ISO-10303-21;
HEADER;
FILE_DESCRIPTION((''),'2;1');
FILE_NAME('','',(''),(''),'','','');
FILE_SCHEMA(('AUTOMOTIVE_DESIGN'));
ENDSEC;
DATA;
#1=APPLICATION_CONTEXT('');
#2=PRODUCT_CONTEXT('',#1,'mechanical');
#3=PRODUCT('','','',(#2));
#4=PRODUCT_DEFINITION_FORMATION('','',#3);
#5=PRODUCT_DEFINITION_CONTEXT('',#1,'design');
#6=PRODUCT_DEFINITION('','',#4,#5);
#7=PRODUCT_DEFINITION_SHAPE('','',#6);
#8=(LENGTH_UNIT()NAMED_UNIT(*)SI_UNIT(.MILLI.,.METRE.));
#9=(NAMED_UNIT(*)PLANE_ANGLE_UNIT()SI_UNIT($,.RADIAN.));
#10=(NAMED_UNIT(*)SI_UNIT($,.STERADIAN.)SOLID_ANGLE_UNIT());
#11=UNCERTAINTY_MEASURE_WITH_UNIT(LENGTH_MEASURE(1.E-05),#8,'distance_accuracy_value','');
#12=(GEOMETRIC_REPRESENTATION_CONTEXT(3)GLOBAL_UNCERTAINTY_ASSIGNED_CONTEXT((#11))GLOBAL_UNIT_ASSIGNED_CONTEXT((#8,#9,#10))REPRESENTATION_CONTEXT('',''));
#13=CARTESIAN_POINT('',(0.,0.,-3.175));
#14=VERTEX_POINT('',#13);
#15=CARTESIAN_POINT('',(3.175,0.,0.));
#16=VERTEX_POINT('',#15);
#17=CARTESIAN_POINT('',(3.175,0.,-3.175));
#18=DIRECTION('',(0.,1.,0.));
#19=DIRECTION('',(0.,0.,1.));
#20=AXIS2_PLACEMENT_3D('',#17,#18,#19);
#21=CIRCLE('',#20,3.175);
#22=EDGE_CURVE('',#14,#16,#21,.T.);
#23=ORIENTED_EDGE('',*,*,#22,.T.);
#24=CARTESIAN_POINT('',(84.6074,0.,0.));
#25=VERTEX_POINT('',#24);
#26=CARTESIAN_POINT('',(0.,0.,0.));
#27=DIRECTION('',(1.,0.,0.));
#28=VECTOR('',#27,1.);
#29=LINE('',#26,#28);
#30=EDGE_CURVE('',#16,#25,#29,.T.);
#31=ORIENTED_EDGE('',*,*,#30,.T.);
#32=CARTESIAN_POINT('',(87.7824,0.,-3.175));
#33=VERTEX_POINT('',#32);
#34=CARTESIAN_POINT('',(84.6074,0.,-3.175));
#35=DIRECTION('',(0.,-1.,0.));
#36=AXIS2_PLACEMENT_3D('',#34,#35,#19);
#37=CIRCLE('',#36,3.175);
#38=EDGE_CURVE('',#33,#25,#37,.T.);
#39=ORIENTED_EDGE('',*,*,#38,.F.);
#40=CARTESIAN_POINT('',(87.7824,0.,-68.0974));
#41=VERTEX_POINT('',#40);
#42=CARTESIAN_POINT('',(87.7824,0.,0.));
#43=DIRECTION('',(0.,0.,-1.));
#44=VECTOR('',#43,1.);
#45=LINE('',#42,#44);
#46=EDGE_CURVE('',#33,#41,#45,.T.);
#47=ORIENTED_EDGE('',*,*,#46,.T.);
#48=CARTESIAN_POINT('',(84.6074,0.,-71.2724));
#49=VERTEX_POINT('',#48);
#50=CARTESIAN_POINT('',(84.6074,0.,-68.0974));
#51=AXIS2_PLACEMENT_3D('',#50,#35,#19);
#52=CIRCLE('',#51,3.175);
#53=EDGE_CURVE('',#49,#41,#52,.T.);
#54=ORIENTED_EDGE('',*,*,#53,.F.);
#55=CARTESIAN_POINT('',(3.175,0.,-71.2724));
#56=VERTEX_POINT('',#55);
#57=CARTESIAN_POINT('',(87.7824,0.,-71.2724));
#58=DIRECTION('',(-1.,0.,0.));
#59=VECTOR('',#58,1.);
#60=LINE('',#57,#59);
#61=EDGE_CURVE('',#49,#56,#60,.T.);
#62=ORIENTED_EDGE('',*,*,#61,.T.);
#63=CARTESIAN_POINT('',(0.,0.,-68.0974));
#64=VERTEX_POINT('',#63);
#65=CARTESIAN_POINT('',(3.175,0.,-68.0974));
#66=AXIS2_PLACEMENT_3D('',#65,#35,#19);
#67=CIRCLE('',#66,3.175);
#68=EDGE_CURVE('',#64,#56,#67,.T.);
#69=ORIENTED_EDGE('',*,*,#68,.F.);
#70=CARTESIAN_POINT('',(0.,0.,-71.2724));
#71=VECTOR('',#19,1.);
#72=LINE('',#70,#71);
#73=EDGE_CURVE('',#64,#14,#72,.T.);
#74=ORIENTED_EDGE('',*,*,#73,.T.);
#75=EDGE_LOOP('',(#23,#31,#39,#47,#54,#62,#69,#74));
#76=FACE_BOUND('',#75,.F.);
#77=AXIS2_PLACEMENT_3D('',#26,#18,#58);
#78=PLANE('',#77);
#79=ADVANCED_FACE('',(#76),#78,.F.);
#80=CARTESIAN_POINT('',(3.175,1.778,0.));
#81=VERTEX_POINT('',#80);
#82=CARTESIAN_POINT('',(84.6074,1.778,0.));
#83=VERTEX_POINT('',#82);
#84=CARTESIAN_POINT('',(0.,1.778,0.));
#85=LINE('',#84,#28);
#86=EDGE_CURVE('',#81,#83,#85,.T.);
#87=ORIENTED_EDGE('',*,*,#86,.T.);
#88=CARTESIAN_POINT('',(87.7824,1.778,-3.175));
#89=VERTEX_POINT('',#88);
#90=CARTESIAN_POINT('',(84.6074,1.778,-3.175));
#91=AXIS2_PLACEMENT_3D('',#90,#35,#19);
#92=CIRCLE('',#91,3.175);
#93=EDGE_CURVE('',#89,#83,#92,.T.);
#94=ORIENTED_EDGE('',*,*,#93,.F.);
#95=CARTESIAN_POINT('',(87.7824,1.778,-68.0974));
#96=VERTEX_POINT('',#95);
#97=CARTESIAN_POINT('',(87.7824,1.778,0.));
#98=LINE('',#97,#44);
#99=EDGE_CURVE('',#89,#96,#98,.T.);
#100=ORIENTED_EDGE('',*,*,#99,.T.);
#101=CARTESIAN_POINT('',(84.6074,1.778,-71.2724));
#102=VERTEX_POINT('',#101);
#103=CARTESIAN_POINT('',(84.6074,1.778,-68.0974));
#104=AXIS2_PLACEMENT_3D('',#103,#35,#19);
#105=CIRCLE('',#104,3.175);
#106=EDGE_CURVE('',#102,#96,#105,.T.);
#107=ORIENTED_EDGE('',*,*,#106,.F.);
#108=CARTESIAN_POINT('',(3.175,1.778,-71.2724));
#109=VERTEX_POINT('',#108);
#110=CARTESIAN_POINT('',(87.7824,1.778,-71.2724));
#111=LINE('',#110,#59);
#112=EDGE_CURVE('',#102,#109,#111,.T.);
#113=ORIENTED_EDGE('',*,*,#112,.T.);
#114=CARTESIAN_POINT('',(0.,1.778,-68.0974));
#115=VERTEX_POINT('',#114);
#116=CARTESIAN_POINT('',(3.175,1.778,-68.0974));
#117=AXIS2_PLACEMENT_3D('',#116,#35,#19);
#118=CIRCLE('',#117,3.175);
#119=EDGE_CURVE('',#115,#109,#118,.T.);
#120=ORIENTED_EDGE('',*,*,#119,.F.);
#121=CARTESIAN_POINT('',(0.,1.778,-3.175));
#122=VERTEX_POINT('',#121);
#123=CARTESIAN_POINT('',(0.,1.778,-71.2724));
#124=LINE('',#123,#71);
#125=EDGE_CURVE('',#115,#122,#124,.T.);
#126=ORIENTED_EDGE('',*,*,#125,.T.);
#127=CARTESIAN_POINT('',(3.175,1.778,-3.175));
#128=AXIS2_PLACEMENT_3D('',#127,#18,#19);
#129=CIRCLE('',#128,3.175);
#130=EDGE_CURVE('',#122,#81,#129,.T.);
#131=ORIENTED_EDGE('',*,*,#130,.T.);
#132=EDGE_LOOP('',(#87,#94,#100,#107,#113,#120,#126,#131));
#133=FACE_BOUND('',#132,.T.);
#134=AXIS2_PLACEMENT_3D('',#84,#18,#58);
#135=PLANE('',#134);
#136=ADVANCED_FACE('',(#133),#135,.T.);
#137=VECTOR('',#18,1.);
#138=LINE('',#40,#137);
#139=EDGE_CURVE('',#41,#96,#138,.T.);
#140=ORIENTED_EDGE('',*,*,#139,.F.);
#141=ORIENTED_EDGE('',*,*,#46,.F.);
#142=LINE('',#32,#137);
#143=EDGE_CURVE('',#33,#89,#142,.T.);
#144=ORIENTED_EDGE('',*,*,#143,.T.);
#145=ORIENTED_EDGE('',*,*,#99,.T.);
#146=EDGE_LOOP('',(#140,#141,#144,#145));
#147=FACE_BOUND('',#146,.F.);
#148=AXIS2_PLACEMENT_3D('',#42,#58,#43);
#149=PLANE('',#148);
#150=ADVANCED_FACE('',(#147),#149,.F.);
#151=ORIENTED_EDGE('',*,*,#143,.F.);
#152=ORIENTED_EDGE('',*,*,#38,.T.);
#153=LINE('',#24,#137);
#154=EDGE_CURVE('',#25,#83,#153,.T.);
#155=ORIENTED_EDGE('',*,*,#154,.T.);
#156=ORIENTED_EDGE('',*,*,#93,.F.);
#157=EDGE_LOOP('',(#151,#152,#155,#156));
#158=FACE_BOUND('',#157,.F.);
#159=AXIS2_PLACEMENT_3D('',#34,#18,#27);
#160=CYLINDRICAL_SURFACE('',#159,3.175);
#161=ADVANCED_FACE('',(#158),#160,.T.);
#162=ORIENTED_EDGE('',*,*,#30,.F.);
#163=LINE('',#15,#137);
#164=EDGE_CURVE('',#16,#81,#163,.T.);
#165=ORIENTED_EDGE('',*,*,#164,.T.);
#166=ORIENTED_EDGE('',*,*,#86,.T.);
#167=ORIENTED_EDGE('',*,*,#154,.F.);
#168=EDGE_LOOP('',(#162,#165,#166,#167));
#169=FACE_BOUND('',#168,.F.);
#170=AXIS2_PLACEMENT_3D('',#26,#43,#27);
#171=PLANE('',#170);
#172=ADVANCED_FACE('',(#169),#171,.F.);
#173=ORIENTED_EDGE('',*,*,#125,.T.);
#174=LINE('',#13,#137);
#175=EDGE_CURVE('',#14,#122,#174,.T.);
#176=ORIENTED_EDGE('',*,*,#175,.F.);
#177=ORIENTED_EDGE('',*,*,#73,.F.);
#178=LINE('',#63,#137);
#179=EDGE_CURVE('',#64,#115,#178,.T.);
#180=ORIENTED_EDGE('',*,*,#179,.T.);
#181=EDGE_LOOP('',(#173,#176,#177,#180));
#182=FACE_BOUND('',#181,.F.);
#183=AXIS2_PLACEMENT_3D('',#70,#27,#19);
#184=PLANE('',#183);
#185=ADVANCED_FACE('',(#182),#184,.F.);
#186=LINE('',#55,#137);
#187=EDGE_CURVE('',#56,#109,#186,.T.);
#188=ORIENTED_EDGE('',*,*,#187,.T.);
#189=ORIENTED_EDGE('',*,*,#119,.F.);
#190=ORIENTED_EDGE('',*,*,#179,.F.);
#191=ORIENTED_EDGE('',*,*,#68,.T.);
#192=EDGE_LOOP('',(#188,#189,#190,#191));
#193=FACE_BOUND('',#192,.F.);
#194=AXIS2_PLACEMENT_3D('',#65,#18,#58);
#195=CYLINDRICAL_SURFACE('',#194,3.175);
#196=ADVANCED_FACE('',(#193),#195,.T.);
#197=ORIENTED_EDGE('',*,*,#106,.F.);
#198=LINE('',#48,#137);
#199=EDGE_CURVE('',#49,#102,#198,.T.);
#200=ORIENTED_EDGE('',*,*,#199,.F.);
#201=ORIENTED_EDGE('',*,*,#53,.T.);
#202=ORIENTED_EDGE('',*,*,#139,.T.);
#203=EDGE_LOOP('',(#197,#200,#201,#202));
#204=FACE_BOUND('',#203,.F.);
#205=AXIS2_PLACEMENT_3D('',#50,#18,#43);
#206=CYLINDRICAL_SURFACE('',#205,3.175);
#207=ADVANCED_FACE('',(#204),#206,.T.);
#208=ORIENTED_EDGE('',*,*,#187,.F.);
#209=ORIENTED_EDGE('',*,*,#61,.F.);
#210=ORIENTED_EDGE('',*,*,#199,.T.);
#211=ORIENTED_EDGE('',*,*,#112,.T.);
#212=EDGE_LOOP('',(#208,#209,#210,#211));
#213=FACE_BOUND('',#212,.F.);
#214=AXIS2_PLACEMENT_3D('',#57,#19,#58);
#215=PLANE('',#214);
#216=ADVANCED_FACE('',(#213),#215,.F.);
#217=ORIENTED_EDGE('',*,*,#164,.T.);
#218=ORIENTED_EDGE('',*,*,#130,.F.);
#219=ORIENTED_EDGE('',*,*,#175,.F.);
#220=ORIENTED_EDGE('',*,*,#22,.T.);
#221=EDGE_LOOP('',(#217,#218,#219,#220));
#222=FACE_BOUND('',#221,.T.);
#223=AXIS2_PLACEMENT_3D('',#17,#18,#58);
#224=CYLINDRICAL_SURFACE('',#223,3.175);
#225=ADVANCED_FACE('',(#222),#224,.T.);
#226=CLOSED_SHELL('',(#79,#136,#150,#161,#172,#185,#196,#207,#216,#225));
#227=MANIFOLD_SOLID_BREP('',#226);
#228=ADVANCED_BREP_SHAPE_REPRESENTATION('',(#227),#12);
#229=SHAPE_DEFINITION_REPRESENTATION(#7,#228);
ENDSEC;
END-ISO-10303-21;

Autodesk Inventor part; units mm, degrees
ref_plane "YZ Plane" through (0, 0, 0) normal (1, 0, 0) x (0, 1, 0)
ref_plane "XZ Plane" through (0, 0, 0) normal (0, 1, 0) x (-1, 0, 0)
sketch "Sketch1" plane through (0, 0, 0) normal (0, 1, 0) x (-1, 0, 0)
  line L0 (0, 0) -> (-87.7824, 0)
  line L1 (-87.7824, 0) -> (-87.7824, -71.2724)
  line L2 (-87.7824, -71.2724) -> (0, -71.2724)
  line L3 (0, -71.2724) -> (0, 0)
  dimension "d0" = 87.7824
  dimension "d1" = 71.2724
extrude "Extrusion1" add sketch "Sketch1" along normal blind 1.778
fillet "Fillet1" radius 3.175 4 edges at (0, 0.889, 0) (0, 0.889, -71.2724) (87.7824, 0.889, -71.2724) (87.7824, 0.889, 0)
ref_plane "Work Plane1" through (43.8912, 0, -3.175) normal (1, 0, 0) x (0, 0, -1)
properties part number "Receiver PCB"
